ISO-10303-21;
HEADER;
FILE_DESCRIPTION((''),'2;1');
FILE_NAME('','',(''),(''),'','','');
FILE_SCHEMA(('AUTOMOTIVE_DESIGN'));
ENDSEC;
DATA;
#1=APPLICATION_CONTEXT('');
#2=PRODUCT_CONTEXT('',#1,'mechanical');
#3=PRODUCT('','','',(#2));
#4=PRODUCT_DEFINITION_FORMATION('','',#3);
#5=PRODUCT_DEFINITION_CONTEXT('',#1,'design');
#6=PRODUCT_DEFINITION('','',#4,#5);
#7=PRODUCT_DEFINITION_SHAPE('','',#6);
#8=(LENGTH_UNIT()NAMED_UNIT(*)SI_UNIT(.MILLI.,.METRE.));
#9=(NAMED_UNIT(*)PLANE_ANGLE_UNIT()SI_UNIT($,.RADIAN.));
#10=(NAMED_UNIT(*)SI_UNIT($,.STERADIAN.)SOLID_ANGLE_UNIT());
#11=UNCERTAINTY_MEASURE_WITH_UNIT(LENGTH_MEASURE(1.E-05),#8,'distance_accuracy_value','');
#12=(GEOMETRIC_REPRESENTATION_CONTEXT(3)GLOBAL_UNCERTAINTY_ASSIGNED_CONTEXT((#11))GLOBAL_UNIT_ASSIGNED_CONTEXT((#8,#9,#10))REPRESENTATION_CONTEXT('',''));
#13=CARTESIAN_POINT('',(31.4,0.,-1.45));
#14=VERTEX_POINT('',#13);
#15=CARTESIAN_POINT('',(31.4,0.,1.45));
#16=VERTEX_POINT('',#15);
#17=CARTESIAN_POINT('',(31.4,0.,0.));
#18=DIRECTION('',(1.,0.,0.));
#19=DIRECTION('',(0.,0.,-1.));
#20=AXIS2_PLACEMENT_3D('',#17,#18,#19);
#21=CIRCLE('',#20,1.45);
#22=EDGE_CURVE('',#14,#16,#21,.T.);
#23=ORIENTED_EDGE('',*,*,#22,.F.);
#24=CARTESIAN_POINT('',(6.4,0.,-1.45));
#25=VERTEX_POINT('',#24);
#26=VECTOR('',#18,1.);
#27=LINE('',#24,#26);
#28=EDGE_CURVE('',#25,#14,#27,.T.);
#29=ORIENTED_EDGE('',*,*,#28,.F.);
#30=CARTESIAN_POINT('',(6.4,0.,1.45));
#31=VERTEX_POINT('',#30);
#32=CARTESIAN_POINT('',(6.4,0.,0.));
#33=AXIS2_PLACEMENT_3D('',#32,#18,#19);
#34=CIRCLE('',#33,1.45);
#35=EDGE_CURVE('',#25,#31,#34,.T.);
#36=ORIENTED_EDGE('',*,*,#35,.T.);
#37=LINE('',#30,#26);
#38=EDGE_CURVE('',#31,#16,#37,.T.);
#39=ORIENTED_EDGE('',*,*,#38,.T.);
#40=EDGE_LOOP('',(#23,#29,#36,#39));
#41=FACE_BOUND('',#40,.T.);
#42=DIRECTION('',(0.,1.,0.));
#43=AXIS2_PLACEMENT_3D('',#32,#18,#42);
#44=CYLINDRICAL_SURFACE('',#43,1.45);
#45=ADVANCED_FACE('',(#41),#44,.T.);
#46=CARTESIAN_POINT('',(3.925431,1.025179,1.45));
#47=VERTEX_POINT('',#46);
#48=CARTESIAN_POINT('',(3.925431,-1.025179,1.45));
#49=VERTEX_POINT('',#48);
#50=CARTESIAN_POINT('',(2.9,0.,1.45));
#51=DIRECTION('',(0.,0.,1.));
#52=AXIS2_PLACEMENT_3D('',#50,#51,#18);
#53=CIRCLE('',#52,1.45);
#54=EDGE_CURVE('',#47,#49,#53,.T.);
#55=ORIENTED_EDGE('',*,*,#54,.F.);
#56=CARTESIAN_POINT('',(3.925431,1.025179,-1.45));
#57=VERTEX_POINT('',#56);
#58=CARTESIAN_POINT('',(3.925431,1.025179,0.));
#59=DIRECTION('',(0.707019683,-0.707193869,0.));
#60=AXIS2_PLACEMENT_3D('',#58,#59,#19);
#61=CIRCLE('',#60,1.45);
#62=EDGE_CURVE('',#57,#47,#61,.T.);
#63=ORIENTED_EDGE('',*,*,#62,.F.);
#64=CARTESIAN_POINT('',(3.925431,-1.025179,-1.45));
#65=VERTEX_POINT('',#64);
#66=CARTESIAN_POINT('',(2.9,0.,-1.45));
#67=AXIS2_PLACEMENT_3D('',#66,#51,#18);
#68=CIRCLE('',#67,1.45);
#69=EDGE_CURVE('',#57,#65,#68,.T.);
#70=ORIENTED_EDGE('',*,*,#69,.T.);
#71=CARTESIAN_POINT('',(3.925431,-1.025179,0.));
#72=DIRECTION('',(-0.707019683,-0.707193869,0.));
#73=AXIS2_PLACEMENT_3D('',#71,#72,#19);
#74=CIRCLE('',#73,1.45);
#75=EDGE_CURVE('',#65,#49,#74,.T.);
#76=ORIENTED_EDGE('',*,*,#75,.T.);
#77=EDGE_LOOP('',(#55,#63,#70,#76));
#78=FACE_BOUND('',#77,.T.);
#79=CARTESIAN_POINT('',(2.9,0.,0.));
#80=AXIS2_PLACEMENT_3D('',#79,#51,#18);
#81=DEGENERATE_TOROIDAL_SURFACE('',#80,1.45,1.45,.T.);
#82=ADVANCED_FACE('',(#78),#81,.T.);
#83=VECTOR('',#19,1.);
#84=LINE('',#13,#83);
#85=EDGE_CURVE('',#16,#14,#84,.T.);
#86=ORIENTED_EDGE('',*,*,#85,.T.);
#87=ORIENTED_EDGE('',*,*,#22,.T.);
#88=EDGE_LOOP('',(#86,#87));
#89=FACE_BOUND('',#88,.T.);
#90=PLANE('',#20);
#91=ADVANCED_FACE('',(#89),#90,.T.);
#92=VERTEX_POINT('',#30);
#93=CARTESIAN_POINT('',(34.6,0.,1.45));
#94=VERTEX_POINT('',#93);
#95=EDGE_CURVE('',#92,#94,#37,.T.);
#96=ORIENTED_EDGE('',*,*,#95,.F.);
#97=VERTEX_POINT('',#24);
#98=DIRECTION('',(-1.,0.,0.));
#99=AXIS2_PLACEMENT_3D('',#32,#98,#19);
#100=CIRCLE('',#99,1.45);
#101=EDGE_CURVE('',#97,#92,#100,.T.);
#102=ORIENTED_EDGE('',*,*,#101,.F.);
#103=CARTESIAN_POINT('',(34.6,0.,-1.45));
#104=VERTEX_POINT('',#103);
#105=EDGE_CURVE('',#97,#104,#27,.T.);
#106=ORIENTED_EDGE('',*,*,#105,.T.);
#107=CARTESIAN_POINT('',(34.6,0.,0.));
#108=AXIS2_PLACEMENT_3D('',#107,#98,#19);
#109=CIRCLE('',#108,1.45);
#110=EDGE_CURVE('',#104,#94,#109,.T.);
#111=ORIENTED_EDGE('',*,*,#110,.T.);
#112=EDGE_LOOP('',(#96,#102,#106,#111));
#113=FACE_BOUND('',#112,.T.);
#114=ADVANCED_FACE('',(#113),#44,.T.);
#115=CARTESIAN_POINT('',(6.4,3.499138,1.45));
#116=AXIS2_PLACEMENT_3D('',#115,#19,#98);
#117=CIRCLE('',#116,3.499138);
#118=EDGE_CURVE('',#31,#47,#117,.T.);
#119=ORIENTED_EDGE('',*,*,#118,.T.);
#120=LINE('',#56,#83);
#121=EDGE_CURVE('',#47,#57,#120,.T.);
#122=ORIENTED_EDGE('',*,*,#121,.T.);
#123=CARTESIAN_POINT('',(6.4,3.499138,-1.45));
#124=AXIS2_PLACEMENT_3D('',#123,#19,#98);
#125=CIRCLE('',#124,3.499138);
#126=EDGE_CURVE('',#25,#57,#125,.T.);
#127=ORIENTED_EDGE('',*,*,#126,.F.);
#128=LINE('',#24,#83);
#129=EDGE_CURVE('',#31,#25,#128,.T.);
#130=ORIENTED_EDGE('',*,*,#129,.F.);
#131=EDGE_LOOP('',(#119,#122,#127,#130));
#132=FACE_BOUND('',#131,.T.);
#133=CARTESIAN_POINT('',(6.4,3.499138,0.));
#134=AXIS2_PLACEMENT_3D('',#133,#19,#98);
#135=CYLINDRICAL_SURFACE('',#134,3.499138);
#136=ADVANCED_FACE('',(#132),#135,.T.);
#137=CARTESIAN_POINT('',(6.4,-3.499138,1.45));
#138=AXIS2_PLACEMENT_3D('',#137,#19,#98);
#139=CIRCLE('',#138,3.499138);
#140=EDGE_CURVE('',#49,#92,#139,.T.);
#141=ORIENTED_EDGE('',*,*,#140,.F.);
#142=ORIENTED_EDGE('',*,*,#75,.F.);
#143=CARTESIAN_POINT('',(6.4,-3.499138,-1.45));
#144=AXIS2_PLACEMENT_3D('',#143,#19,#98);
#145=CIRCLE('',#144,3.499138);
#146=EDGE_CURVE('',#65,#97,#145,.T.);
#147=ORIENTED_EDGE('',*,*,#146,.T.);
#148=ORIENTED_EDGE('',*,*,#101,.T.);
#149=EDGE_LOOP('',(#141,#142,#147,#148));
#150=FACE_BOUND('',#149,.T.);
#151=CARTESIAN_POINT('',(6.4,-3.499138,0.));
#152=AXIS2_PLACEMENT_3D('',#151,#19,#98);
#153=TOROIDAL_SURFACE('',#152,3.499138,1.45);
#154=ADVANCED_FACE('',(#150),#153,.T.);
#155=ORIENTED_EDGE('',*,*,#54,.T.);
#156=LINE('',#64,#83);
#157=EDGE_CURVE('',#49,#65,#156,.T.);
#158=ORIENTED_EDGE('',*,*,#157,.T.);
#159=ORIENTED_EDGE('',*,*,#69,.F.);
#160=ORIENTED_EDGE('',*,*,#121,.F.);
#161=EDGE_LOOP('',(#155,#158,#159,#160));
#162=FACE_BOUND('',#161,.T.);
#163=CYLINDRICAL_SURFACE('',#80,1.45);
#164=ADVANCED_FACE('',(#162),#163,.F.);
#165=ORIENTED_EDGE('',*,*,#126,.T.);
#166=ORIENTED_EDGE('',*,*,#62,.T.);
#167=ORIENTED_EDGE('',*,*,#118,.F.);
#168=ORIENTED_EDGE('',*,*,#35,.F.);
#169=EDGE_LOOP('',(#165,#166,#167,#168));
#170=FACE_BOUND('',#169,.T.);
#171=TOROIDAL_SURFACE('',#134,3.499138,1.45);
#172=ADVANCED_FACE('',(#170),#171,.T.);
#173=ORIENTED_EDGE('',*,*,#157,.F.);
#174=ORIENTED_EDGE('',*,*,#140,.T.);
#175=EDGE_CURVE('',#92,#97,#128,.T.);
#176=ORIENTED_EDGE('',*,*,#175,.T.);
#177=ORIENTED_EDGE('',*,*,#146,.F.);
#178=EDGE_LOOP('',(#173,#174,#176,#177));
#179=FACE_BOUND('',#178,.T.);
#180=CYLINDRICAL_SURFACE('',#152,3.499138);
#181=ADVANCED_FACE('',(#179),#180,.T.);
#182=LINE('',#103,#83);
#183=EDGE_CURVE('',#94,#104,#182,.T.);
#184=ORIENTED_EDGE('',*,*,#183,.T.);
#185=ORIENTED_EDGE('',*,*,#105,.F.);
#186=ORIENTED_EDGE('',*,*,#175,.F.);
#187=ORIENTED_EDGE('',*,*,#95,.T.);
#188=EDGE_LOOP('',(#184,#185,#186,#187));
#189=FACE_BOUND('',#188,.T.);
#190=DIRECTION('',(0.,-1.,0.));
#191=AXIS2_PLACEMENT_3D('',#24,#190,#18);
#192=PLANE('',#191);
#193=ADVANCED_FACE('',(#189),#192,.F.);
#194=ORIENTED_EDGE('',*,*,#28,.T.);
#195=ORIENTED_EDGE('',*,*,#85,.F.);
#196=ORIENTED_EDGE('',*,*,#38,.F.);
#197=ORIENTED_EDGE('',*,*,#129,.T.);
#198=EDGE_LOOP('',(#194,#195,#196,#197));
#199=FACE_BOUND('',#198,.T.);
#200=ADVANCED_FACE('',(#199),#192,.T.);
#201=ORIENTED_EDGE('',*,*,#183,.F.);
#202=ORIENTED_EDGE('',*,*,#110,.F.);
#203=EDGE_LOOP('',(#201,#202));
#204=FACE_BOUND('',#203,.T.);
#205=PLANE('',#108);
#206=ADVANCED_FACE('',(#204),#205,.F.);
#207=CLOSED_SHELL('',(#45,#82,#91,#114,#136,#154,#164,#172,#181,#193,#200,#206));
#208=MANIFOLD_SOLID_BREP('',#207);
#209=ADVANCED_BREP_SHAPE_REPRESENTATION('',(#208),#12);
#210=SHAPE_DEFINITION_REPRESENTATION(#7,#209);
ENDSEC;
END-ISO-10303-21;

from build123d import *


with BuildPart() as part:
    # Body: sweep along a path in PathSke
    with BuildLine(Plane(origin=(1.207969362, 1.807969362, 0), x_dir=(0, 1, 0), z_dir=(0, 0, 1))) as body_path:
        Line((-0.357969362, -30.192030638), (-0.357969362, -5.192030638))
        ThreePointArc((-0.357969362, -5.192030638), (-0.201939729, -4.407742914), (0.242387718, -3.742892857))
        ThreePointArc((0.242387718, -3.742892857), (-1.807969362, 1.207969362), (-3.858326443, -3.742892857))
        ThreePointArc((-3.858326443, -3.742892857), (-3.413998995, -4.407742914), (-3.257969362, -5.192030638))
        Line((-3.257969362, -5.192030638), (-3.257969362, -33.392030638))
    # SectionSke → Body (sweep)
    with BuildSketch(Plane(origin=(31.4, 0.15, 0.15), x_dir=(0, 1, 0), z_dir=(1, 0, 0))):
        with BuildLine():
            Line((-0.15, -1.6), (-0.15, 1.3))
            ThreePointArc((-0.15, 1.3), (1.3, -0.15), (-0.15, -1.6))
        make_face()
    sweep(path=body_path.line)


solid = part.part
